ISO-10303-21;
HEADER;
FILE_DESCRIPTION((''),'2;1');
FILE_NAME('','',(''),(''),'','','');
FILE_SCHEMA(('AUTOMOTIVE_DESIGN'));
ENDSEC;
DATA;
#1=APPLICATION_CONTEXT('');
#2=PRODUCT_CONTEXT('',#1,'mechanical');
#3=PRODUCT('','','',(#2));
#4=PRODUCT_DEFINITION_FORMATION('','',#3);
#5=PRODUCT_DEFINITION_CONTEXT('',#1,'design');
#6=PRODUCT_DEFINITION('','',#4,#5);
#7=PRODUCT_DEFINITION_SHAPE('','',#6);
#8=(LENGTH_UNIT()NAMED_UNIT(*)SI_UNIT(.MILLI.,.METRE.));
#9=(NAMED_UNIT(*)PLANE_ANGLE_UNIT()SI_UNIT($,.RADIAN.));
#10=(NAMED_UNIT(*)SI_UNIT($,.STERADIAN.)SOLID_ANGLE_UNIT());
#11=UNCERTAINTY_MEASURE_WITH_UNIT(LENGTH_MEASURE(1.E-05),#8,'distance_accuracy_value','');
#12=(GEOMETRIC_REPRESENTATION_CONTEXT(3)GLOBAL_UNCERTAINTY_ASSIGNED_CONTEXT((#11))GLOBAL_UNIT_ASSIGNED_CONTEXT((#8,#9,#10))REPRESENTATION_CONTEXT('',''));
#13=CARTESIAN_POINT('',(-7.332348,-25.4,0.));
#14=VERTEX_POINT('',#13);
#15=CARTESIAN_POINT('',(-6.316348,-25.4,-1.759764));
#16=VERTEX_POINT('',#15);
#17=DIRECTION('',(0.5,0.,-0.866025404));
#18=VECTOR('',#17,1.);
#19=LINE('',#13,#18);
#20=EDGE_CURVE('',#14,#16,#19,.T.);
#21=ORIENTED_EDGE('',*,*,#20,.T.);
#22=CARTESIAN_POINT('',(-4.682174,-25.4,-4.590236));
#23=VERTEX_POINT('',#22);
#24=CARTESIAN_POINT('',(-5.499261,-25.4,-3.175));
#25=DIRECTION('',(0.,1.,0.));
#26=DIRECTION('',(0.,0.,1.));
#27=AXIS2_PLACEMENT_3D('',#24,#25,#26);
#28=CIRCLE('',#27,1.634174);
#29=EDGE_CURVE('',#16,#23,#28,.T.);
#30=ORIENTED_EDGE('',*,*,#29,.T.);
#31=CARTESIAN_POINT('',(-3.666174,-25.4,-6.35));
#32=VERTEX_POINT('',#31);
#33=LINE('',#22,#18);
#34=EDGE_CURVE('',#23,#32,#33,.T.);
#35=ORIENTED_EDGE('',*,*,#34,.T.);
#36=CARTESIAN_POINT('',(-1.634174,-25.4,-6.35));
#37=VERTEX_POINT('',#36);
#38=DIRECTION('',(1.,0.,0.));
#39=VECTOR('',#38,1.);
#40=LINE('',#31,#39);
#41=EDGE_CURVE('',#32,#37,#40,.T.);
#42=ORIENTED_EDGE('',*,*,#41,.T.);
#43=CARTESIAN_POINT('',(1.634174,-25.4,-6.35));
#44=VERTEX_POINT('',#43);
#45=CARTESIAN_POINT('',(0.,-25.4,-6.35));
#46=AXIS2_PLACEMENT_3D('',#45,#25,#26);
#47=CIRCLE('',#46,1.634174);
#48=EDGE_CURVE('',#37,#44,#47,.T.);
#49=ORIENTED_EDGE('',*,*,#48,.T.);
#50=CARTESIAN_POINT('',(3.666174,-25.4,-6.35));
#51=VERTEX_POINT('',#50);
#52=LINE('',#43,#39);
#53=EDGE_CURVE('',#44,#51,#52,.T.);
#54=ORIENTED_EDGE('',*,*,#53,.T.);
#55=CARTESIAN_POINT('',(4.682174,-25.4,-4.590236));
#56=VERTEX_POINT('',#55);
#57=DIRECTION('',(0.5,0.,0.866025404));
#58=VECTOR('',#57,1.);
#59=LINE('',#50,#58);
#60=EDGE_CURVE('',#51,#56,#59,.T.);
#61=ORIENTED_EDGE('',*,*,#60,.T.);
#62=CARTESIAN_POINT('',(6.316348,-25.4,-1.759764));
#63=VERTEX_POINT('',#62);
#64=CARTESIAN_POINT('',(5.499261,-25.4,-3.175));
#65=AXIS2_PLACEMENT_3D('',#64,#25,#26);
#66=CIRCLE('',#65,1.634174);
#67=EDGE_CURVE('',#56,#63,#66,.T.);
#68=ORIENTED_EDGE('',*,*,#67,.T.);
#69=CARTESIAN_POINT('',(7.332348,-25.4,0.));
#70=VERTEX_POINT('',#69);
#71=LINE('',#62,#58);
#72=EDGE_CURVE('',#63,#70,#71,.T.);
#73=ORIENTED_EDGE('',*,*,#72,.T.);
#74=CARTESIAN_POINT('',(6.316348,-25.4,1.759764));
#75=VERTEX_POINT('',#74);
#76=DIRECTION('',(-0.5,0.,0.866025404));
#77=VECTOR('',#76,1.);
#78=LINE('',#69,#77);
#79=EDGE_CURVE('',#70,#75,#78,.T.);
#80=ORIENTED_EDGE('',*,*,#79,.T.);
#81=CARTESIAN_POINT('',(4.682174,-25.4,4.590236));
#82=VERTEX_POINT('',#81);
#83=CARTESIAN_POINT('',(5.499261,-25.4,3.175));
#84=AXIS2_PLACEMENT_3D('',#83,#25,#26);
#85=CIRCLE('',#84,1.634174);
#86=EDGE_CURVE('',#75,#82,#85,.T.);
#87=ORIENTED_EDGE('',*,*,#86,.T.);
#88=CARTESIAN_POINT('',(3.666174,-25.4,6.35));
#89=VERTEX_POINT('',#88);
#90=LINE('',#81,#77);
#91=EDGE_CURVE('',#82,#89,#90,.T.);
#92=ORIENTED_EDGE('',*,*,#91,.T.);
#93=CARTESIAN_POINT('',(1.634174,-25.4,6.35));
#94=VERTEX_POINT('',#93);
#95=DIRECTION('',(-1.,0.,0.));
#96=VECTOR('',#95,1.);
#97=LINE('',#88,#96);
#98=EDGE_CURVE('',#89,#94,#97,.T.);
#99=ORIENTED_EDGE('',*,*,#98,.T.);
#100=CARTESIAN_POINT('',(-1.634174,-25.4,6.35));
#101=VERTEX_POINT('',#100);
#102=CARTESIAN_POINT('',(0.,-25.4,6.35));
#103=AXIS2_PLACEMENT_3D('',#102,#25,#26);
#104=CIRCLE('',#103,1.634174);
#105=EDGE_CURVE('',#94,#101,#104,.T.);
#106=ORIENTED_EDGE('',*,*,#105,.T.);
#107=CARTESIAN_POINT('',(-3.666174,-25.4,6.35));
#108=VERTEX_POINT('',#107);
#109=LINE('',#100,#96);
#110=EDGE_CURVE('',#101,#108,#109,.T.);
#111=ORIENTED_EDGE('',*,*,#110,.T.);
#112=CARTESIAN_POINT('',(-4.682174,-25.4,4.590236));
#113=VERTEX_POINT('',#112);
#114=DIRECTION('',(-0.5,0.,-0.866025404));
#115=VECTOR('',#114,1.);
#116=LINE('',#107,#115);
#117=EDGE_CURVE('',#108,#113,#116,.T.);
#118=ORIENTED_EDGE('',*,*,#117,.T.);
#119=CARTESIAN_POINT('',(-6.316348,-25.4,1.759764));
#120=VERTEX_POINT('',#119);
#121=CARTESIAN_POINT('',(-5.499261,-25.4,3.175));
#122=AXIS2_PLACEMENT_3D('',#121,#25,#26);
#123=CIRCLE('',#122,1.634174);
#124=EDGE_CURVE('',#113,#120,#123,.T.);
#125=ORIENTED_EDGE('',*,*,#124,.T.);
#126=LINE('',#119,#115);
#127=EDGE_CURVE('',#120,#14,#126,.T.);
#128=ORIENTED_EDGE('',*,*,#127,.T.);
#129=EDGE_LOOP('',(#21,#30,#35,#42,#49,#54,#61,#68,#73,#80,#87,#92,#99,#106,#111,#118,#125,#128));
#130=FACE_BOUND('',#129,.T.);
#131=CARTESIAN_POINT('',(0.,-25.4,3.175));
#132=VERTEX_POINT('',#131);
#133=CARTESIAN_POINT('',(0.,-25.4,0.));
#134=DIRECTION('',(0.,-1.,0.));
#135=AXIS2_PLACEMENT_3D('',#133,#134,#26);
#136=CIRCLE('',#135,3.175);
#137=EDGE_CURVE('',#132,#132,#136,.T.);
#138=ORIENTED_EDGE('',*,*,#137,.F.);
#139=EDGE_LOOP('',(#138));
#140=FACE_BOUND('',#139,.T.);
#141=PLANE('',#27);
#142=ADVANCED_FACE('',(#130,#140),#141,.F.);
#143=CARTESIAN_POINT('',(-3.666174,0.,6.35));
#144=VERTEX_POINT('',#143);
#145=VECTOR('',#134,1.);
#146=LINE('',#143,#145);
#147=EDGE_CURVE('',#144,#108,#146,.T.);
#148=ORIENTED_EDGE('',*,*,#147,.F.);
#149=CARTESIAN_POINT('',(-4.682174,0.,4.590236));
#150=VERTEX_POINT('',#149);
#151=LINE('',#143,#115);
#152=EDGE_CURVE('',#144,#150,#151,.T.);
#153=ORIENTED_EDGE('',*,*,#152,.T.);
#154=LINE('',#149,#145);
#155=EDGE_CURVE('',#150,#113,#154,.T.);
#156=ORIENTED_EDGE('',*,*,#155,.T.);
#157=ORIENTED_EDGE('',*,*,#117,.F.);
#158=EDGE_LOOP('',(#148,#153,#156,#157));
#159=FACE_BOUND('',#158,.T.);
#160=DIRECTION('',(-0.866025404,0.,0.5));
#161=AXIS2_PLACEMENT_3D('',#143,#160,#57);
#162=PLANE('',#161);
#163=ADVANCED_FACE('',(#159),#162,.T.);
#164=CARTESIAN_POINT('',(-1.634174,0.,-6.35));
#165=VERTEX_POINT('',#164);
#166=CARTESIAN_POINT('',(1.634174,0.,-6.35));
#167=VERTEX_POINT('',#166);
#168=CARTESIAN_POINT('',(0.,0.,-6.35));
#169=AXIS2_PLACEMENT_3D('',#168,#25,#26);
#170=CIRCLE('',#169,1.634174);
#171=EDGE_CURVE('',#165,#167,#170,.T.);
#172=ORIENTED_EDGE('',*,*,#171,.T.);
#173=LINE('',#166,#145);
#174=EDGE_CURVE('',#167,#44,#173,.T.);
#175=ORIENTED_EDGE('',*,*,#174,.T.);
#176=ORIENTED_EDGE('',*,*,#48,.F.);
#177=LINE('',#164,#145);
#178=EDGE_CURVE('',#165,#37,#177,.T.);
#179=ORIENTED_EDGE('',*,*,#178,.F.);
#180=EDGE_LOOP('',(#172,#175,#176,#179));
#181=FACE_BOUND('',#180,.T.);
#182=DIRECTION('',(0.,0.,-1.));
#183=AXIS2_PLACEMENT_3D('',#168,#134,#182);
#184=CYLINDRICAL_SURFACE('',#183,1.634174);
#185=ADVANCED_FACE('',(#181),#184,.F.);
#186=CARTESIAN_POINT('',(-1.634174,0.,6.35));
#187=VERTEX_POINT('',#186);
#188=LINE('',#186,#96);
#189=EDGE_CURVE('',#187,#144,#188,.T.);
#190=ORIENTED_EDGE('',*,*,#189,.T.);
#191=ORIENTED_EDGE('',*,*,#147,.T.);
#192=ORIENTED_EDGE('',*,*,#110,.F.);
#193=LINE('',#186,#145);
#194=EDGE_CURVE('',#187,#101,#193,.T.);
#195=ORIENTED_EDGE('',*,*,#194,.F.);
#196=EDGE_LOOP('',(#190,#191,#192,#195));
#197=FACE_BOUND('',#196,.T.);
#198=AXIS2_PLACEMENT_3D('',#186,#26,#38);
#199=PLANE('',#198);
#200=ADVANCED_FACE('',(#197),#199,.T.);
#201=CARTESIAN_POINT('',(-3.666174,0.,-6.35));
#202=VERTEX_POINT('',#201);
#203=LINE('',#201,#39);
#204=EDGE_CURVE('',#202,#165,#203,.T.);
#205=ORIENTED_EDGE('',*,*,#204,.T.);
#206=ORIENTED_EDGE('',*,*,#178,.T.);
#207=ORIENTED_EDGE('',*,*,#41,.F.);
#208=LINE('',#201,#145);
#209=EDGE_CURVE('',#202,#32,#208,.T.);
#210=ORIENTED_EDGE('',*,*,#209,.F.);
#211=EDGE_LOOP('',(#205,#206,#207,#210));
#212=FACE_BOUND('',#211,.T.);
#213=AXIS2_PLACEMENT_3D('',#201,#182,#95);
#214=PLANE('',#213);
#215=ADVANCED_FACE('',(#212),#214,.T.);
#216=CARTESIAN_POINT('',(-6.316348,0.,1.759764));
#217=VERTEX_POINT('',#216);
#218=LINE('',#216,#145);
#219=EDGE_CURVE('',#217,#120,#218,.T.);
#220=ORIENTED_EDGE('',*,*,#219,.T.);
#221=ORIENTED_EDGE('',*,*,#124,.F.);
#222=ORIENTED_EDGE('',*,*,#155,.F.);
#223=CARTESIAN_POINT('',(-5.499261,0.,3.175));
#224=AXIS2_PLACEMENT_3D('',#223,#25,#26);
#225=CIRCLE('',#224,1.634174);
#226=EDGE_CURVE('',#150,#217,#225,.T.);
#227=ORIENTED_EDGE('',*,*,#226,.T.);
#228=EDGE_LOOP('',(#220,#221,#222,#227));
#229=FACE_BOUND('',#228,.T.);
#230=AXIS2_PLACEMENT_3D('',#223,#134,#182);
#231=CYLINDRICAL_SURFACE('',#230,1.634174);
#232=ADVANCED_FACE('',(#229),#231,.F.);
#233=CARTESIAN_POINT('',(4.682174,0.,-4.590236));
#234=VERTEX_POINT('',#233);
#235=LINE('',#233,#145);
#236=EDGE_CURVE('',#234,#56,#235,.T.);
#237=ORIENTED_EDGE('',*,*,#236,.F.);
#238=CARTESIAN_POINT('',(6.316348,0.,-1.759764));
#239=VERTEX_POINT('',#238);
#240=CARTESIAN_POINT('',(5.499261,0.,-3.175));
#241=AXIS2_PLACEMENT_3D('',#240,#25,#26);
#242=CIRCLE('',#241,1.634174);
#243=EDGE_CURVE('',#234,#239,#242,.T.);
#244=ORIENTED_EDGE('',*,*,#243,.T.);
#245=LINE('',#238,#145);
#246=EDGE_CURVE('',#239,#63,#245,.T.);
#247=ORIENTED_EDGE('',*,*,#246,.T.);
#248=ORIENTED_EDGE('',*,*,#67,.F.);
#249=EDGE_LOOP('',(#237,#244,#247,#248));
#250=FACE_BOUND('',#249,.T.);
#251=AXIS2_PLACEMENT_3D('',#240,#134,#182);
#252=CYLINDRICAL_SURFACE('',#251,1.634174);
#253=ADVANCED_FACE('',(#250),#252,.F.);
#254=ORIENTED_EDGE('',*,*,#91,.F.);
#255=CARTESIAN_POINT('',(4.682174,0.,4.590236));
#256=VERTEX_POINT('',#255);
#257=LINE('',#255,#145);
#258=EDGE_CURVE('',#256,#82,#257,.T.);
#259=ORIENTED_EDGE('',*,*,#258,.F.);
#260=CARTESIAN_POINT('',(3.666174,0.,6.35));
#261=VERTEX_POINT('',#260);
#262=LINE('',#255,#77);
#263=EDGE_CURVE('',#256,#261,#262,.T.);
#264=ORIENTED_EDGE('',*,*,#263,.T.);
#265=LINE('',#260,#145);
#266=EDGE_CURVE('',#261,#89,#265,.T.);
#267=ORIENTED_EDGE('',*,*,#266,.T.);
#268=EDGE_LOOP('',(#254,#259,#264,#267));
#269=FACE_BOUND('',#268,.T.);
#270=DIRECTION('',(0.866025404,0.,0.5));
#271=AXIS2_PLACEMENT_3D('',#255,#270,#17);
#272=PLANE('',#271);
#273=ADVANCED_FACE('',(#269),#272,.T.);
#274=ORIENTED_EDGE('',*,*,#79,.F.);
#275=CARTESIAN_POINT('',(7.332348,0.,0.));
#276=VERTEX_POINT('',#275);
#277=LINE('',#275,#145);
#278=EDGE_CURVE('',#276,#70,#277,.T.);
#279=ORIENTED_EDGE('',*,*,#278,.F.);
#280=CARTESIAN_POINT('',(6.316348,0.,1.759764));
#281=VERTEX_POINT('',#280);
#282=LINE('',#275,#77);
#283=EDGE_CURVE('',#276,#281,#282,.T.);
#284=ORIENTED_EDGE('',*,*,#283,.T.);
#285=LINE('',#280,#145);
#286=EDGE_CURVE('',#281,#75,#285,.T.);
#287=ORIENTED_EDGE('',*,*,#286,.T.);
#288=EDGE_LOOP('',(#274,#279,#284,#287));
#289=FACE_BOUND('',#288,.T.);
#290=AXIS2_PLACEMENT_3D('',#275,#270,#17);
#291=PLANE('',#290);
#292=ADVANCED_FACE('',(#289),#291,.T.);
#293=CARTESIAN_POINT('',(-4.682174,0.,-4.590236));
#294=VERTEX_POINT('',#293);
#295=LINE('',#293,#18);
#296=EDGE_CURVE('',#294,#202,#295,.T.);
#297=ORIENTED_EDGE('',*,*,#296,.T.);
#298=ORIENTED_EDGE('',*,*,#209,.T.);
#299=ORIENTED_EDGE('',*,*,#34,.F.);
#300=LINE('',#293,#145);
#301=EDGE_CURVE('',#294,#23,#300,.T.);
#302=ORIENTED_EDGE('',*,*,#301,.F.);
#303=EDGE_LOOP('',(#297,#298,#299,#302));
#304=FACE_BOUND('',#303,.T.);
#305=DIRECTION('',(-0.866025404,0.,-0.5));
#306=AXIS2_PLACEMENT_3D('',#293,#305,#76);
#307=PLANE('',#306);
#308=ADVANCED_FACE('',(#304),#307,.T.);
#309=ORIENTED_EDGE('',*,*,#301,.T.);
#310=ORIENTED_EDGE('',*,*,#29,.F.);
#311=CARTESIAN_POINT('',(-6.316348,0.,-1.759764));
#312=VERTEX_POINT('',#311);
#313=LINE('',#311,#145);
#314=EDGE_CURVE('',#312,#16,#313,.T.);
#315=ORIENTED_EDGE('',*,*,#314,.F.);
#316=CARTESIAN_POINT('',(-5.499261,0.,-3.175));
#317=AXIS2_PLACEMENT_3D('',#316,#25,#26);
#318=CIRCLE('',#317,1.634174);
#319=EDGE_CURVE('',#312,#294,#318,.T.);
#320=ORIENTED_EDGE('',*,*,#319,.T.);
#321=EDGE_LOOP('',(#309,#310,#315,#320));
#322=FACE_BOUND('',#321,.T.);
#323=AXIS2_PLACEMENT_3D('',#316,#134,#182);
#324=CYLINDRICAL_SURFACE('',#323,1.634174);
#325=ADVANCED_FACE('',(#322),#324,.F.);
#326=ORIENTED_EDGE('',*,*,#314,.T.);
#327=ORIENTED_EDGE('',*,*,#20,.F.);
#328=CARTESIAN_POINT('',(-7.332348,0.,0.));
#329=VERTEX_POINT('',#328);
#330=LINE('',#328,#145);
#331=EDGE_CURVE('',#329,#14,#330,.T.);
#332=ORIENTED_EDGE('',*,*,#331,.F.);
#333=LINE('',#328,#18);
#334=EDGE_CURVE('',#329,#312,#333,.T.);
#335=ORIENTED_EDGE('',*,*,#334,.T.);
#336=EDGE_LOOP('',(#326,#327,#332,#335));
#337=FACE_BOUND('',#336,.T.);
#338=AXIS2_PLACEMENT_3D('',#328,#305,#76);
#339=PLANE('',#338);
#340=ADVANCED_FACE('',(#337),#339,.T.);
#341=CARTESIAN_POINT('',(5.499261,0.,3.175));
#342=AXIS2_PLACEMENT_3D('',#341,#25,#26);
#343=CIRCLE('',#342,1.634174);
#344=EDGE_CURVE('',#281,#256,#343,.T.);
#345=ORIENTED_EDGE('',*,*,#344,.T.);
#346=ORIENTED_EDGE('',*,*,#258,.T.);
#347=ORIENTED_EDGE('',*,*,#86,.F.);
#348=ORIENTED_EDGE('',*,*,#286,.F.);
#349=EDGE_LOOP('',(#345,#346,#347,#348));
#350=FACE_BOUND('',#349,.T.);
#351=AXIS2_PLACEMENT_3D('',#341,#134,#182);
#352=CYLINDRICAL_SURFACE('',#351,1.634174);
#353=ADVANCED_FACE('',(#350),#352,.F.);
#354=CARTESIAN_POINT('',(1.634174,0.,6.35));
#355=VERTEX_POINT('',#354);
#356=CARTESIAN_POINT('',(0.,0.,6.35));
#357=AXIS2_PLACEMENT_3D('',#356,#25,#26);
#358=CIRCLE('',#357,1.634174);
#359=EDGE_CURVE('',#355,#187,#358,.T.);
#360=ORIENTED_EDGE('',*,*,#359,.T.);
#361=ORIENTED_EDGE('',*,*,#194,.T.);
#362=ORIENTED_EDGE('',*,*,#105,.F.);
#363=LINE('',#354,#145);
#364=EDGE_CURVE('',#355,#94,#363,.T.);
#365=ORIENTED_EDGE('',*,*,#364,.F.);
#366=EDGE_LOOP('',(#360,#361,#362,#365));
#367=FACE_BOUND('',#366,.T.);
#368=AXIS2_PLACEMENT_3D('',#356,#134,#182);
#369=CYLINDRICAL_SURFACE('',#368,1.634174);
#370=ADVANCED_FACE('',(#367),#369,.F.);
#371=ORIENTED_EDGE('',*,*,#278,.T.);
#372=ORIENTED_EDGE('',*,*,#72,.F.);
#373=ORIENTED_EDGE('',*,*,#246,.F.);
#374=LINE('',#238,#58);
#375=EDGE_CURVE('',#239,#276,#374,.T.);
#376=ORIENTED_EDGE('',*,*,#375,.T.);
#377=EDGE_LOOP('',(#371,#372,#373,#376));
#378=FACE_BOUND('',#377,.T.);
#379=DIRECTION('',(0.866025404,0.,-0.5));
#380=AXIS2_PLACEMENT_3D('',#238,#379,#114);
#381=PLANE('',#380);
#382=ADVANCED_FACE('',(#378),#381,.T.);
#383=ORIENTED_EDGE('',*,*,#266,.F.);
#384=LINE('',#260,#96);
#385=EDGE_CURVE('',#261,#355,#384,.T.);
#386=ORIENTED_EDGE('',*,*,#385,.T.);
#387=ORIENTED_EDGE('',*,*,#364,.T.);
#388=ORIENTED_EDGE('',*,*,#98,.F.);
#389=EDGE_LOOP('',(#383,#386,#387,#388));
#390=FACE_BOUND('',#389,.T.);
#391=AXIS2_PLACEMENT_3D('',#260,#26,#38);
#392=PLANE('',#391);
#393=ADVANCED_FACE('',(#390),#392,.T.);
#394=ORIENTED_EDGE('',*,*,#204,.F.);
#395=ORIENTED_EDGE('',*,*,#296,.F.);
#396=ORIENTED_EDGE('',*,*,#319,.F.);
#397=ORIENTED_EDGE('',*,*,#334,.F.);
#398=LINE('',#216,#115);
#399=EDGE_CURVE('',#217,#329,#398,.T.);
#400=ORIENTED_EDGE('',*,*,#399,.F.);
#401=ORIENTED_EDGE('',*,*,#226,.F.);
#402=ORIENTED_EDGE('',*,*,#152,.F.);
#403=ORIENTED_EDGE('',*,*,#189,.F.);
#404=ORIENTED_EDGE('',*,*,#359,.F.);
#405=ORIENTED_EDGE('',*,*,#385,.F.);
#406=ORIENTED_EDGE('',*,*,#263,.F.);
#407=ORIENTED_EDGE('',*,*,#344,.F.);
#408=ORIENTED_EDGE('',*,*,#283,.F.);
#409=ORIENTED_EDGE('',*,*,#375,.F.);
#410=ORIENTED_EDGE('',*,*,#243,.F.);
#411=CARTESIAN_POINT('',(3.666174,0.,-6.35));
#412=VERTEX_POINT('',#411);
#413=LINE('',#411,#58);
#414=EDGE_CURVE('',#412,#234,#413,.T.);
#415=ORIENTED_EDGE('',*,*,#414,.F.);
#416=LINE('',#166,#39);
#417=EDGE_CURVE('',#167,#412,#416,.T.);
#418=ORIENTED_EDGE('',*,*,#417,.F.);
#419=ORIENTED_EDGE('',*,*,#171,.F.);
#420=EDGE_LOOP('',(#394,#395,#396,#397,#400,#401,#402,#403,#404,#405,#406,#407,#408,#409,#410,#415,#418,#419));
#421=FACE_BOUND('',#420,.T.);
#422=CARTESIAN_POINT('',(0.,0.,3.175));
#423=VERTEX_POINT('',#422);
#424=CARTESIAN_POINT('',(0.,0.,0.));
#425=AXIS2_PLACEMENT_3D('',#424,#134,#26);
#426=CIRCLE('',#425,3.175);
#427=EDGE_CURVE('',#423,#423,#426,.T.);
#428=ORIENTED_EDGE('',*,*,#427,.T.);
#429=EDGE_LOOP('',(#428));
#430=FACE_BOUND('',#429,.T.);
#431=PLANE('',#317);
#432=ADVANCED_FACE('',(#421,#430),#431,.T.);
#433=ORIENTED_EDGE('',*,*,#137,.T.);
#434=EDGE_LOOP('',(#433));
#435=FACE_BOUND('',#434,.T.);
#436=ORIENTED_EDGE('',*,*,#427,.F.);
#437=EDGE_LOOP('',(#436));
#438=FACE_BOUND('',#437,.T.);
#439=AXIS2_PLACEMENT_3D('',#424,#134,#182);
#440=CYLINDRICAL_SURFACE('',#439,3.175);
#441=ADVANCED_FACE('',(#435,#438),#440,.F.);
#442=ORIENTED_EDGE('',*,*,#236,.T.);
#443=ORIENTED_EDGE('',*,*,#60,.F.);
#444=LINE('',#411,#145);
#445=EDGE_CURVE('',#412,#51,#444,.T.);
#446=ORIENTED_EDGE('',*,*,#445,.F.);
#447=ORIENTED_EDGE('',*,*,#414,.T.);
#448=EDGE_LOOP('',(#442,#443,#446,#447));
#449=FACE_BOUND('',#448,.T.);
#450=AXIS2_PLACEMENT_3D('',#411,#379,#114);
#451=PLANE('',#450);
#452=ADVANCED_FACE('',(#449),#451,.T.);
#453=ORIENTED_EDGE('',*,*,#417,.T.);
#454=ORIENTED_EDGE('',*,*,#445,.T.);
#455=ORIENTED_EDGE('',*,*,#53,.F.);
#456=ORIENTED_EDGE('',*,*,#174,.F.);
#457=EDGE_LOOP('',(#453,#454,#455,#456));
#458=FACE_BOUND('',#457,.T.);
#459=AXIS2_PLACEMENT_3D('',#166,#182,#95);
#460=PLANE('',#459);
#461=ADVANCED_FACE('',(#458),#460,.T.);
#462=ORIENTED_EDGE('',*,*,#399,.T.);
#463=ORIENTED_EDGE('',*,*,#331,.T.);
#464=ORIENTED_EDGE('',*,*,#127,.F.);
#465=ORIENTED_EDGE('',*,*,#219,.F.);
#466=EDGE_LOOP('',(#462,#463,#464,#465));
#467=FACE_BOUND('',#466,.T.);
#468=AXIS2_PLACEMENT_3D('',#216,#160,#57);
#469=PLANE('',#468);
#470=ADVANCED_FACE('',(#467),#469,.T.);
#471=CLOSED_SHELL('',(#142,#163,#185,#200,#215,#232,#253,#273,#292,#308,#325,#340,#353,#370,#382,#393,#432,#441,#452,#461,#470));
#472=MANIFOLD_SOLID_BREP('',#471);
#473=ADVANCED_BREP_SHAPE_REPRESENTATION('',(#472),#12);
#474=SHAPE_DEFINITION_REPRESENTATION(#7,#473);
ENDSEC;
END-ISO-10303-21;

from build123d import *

# Parameters (mm, degrees)
SKETCH1_R           = 3.175
BOSS_EXTRUDE1_DEPTH = 25.4


with BuildPart() as part:
    # Sketch1 → Boss-Extrude1 (new body)
    with BuildSketch(Plane.XZ.offset(25.4)):
        with BuildLine():
            Line((-4.682174209, -4.59023638), (-3.666174209, -6.35))
            Line((-3.666174209, -6.35), (-1.634174209, -6.35))
            ThreePointArc((-1.634174209, -6.35), (0, -4.715825791), (1.634174209, -6.35))
            Line((1.634174209, -6.35), (3.666174209, -6.35))
            Line((3.666174209, -6.35), (4.682174209, -4.59023638))
            ThreePointArc((4.682174209, -4.59023638), (4.084024935, -2.357912895), (6.316348419, -1.75976362))
            Line((6.316348419, -1.75976362), (7.332348419, 0))
            Line((7.332348419, 0), (6.316348419, 1.75976362))
            ThreePointArc((6.316348419, 1.75976362), (4.084024935, 2.357912895), (4.682174209, 4.59023638))
            Line((4.682174209, 4.59023638), (3.666174209, 6.35))
            Line((3.666174209, 6.35), (1.634174209, 6.35))
            ThreePointArc((1.634174209, 6.35), (0, 4.715825791), (-1.634174209, 6.35))
            Line((-1.634174209, 6.35), (-3.666174209, 6.35))
            Line((-3.666174209, 6.35), (-4.682174209, 4.59023638))
            ThreePointArc((-4.682174209, 4.59023638), (-4.084024935, 2.357912895), (-6.316348419, 1.75976362))
            Line((-6.316348419, 1.75976362), (-7.332348419, 0))
            Line((-7.332348419, 0), (-6.316348419, -1.75976362))
            ThreePointArc((-6.316348419, -1.75976362), (-4.084024935, -2.357912895), (-4.682174209, -4.59023638))
        make_face()
        Circle(SKETCH1_R, mode=Mode.SUBTRACT)
    extrude(amount=-BOSS_EXTRUDE1_DEPTH)


solid = part.part
